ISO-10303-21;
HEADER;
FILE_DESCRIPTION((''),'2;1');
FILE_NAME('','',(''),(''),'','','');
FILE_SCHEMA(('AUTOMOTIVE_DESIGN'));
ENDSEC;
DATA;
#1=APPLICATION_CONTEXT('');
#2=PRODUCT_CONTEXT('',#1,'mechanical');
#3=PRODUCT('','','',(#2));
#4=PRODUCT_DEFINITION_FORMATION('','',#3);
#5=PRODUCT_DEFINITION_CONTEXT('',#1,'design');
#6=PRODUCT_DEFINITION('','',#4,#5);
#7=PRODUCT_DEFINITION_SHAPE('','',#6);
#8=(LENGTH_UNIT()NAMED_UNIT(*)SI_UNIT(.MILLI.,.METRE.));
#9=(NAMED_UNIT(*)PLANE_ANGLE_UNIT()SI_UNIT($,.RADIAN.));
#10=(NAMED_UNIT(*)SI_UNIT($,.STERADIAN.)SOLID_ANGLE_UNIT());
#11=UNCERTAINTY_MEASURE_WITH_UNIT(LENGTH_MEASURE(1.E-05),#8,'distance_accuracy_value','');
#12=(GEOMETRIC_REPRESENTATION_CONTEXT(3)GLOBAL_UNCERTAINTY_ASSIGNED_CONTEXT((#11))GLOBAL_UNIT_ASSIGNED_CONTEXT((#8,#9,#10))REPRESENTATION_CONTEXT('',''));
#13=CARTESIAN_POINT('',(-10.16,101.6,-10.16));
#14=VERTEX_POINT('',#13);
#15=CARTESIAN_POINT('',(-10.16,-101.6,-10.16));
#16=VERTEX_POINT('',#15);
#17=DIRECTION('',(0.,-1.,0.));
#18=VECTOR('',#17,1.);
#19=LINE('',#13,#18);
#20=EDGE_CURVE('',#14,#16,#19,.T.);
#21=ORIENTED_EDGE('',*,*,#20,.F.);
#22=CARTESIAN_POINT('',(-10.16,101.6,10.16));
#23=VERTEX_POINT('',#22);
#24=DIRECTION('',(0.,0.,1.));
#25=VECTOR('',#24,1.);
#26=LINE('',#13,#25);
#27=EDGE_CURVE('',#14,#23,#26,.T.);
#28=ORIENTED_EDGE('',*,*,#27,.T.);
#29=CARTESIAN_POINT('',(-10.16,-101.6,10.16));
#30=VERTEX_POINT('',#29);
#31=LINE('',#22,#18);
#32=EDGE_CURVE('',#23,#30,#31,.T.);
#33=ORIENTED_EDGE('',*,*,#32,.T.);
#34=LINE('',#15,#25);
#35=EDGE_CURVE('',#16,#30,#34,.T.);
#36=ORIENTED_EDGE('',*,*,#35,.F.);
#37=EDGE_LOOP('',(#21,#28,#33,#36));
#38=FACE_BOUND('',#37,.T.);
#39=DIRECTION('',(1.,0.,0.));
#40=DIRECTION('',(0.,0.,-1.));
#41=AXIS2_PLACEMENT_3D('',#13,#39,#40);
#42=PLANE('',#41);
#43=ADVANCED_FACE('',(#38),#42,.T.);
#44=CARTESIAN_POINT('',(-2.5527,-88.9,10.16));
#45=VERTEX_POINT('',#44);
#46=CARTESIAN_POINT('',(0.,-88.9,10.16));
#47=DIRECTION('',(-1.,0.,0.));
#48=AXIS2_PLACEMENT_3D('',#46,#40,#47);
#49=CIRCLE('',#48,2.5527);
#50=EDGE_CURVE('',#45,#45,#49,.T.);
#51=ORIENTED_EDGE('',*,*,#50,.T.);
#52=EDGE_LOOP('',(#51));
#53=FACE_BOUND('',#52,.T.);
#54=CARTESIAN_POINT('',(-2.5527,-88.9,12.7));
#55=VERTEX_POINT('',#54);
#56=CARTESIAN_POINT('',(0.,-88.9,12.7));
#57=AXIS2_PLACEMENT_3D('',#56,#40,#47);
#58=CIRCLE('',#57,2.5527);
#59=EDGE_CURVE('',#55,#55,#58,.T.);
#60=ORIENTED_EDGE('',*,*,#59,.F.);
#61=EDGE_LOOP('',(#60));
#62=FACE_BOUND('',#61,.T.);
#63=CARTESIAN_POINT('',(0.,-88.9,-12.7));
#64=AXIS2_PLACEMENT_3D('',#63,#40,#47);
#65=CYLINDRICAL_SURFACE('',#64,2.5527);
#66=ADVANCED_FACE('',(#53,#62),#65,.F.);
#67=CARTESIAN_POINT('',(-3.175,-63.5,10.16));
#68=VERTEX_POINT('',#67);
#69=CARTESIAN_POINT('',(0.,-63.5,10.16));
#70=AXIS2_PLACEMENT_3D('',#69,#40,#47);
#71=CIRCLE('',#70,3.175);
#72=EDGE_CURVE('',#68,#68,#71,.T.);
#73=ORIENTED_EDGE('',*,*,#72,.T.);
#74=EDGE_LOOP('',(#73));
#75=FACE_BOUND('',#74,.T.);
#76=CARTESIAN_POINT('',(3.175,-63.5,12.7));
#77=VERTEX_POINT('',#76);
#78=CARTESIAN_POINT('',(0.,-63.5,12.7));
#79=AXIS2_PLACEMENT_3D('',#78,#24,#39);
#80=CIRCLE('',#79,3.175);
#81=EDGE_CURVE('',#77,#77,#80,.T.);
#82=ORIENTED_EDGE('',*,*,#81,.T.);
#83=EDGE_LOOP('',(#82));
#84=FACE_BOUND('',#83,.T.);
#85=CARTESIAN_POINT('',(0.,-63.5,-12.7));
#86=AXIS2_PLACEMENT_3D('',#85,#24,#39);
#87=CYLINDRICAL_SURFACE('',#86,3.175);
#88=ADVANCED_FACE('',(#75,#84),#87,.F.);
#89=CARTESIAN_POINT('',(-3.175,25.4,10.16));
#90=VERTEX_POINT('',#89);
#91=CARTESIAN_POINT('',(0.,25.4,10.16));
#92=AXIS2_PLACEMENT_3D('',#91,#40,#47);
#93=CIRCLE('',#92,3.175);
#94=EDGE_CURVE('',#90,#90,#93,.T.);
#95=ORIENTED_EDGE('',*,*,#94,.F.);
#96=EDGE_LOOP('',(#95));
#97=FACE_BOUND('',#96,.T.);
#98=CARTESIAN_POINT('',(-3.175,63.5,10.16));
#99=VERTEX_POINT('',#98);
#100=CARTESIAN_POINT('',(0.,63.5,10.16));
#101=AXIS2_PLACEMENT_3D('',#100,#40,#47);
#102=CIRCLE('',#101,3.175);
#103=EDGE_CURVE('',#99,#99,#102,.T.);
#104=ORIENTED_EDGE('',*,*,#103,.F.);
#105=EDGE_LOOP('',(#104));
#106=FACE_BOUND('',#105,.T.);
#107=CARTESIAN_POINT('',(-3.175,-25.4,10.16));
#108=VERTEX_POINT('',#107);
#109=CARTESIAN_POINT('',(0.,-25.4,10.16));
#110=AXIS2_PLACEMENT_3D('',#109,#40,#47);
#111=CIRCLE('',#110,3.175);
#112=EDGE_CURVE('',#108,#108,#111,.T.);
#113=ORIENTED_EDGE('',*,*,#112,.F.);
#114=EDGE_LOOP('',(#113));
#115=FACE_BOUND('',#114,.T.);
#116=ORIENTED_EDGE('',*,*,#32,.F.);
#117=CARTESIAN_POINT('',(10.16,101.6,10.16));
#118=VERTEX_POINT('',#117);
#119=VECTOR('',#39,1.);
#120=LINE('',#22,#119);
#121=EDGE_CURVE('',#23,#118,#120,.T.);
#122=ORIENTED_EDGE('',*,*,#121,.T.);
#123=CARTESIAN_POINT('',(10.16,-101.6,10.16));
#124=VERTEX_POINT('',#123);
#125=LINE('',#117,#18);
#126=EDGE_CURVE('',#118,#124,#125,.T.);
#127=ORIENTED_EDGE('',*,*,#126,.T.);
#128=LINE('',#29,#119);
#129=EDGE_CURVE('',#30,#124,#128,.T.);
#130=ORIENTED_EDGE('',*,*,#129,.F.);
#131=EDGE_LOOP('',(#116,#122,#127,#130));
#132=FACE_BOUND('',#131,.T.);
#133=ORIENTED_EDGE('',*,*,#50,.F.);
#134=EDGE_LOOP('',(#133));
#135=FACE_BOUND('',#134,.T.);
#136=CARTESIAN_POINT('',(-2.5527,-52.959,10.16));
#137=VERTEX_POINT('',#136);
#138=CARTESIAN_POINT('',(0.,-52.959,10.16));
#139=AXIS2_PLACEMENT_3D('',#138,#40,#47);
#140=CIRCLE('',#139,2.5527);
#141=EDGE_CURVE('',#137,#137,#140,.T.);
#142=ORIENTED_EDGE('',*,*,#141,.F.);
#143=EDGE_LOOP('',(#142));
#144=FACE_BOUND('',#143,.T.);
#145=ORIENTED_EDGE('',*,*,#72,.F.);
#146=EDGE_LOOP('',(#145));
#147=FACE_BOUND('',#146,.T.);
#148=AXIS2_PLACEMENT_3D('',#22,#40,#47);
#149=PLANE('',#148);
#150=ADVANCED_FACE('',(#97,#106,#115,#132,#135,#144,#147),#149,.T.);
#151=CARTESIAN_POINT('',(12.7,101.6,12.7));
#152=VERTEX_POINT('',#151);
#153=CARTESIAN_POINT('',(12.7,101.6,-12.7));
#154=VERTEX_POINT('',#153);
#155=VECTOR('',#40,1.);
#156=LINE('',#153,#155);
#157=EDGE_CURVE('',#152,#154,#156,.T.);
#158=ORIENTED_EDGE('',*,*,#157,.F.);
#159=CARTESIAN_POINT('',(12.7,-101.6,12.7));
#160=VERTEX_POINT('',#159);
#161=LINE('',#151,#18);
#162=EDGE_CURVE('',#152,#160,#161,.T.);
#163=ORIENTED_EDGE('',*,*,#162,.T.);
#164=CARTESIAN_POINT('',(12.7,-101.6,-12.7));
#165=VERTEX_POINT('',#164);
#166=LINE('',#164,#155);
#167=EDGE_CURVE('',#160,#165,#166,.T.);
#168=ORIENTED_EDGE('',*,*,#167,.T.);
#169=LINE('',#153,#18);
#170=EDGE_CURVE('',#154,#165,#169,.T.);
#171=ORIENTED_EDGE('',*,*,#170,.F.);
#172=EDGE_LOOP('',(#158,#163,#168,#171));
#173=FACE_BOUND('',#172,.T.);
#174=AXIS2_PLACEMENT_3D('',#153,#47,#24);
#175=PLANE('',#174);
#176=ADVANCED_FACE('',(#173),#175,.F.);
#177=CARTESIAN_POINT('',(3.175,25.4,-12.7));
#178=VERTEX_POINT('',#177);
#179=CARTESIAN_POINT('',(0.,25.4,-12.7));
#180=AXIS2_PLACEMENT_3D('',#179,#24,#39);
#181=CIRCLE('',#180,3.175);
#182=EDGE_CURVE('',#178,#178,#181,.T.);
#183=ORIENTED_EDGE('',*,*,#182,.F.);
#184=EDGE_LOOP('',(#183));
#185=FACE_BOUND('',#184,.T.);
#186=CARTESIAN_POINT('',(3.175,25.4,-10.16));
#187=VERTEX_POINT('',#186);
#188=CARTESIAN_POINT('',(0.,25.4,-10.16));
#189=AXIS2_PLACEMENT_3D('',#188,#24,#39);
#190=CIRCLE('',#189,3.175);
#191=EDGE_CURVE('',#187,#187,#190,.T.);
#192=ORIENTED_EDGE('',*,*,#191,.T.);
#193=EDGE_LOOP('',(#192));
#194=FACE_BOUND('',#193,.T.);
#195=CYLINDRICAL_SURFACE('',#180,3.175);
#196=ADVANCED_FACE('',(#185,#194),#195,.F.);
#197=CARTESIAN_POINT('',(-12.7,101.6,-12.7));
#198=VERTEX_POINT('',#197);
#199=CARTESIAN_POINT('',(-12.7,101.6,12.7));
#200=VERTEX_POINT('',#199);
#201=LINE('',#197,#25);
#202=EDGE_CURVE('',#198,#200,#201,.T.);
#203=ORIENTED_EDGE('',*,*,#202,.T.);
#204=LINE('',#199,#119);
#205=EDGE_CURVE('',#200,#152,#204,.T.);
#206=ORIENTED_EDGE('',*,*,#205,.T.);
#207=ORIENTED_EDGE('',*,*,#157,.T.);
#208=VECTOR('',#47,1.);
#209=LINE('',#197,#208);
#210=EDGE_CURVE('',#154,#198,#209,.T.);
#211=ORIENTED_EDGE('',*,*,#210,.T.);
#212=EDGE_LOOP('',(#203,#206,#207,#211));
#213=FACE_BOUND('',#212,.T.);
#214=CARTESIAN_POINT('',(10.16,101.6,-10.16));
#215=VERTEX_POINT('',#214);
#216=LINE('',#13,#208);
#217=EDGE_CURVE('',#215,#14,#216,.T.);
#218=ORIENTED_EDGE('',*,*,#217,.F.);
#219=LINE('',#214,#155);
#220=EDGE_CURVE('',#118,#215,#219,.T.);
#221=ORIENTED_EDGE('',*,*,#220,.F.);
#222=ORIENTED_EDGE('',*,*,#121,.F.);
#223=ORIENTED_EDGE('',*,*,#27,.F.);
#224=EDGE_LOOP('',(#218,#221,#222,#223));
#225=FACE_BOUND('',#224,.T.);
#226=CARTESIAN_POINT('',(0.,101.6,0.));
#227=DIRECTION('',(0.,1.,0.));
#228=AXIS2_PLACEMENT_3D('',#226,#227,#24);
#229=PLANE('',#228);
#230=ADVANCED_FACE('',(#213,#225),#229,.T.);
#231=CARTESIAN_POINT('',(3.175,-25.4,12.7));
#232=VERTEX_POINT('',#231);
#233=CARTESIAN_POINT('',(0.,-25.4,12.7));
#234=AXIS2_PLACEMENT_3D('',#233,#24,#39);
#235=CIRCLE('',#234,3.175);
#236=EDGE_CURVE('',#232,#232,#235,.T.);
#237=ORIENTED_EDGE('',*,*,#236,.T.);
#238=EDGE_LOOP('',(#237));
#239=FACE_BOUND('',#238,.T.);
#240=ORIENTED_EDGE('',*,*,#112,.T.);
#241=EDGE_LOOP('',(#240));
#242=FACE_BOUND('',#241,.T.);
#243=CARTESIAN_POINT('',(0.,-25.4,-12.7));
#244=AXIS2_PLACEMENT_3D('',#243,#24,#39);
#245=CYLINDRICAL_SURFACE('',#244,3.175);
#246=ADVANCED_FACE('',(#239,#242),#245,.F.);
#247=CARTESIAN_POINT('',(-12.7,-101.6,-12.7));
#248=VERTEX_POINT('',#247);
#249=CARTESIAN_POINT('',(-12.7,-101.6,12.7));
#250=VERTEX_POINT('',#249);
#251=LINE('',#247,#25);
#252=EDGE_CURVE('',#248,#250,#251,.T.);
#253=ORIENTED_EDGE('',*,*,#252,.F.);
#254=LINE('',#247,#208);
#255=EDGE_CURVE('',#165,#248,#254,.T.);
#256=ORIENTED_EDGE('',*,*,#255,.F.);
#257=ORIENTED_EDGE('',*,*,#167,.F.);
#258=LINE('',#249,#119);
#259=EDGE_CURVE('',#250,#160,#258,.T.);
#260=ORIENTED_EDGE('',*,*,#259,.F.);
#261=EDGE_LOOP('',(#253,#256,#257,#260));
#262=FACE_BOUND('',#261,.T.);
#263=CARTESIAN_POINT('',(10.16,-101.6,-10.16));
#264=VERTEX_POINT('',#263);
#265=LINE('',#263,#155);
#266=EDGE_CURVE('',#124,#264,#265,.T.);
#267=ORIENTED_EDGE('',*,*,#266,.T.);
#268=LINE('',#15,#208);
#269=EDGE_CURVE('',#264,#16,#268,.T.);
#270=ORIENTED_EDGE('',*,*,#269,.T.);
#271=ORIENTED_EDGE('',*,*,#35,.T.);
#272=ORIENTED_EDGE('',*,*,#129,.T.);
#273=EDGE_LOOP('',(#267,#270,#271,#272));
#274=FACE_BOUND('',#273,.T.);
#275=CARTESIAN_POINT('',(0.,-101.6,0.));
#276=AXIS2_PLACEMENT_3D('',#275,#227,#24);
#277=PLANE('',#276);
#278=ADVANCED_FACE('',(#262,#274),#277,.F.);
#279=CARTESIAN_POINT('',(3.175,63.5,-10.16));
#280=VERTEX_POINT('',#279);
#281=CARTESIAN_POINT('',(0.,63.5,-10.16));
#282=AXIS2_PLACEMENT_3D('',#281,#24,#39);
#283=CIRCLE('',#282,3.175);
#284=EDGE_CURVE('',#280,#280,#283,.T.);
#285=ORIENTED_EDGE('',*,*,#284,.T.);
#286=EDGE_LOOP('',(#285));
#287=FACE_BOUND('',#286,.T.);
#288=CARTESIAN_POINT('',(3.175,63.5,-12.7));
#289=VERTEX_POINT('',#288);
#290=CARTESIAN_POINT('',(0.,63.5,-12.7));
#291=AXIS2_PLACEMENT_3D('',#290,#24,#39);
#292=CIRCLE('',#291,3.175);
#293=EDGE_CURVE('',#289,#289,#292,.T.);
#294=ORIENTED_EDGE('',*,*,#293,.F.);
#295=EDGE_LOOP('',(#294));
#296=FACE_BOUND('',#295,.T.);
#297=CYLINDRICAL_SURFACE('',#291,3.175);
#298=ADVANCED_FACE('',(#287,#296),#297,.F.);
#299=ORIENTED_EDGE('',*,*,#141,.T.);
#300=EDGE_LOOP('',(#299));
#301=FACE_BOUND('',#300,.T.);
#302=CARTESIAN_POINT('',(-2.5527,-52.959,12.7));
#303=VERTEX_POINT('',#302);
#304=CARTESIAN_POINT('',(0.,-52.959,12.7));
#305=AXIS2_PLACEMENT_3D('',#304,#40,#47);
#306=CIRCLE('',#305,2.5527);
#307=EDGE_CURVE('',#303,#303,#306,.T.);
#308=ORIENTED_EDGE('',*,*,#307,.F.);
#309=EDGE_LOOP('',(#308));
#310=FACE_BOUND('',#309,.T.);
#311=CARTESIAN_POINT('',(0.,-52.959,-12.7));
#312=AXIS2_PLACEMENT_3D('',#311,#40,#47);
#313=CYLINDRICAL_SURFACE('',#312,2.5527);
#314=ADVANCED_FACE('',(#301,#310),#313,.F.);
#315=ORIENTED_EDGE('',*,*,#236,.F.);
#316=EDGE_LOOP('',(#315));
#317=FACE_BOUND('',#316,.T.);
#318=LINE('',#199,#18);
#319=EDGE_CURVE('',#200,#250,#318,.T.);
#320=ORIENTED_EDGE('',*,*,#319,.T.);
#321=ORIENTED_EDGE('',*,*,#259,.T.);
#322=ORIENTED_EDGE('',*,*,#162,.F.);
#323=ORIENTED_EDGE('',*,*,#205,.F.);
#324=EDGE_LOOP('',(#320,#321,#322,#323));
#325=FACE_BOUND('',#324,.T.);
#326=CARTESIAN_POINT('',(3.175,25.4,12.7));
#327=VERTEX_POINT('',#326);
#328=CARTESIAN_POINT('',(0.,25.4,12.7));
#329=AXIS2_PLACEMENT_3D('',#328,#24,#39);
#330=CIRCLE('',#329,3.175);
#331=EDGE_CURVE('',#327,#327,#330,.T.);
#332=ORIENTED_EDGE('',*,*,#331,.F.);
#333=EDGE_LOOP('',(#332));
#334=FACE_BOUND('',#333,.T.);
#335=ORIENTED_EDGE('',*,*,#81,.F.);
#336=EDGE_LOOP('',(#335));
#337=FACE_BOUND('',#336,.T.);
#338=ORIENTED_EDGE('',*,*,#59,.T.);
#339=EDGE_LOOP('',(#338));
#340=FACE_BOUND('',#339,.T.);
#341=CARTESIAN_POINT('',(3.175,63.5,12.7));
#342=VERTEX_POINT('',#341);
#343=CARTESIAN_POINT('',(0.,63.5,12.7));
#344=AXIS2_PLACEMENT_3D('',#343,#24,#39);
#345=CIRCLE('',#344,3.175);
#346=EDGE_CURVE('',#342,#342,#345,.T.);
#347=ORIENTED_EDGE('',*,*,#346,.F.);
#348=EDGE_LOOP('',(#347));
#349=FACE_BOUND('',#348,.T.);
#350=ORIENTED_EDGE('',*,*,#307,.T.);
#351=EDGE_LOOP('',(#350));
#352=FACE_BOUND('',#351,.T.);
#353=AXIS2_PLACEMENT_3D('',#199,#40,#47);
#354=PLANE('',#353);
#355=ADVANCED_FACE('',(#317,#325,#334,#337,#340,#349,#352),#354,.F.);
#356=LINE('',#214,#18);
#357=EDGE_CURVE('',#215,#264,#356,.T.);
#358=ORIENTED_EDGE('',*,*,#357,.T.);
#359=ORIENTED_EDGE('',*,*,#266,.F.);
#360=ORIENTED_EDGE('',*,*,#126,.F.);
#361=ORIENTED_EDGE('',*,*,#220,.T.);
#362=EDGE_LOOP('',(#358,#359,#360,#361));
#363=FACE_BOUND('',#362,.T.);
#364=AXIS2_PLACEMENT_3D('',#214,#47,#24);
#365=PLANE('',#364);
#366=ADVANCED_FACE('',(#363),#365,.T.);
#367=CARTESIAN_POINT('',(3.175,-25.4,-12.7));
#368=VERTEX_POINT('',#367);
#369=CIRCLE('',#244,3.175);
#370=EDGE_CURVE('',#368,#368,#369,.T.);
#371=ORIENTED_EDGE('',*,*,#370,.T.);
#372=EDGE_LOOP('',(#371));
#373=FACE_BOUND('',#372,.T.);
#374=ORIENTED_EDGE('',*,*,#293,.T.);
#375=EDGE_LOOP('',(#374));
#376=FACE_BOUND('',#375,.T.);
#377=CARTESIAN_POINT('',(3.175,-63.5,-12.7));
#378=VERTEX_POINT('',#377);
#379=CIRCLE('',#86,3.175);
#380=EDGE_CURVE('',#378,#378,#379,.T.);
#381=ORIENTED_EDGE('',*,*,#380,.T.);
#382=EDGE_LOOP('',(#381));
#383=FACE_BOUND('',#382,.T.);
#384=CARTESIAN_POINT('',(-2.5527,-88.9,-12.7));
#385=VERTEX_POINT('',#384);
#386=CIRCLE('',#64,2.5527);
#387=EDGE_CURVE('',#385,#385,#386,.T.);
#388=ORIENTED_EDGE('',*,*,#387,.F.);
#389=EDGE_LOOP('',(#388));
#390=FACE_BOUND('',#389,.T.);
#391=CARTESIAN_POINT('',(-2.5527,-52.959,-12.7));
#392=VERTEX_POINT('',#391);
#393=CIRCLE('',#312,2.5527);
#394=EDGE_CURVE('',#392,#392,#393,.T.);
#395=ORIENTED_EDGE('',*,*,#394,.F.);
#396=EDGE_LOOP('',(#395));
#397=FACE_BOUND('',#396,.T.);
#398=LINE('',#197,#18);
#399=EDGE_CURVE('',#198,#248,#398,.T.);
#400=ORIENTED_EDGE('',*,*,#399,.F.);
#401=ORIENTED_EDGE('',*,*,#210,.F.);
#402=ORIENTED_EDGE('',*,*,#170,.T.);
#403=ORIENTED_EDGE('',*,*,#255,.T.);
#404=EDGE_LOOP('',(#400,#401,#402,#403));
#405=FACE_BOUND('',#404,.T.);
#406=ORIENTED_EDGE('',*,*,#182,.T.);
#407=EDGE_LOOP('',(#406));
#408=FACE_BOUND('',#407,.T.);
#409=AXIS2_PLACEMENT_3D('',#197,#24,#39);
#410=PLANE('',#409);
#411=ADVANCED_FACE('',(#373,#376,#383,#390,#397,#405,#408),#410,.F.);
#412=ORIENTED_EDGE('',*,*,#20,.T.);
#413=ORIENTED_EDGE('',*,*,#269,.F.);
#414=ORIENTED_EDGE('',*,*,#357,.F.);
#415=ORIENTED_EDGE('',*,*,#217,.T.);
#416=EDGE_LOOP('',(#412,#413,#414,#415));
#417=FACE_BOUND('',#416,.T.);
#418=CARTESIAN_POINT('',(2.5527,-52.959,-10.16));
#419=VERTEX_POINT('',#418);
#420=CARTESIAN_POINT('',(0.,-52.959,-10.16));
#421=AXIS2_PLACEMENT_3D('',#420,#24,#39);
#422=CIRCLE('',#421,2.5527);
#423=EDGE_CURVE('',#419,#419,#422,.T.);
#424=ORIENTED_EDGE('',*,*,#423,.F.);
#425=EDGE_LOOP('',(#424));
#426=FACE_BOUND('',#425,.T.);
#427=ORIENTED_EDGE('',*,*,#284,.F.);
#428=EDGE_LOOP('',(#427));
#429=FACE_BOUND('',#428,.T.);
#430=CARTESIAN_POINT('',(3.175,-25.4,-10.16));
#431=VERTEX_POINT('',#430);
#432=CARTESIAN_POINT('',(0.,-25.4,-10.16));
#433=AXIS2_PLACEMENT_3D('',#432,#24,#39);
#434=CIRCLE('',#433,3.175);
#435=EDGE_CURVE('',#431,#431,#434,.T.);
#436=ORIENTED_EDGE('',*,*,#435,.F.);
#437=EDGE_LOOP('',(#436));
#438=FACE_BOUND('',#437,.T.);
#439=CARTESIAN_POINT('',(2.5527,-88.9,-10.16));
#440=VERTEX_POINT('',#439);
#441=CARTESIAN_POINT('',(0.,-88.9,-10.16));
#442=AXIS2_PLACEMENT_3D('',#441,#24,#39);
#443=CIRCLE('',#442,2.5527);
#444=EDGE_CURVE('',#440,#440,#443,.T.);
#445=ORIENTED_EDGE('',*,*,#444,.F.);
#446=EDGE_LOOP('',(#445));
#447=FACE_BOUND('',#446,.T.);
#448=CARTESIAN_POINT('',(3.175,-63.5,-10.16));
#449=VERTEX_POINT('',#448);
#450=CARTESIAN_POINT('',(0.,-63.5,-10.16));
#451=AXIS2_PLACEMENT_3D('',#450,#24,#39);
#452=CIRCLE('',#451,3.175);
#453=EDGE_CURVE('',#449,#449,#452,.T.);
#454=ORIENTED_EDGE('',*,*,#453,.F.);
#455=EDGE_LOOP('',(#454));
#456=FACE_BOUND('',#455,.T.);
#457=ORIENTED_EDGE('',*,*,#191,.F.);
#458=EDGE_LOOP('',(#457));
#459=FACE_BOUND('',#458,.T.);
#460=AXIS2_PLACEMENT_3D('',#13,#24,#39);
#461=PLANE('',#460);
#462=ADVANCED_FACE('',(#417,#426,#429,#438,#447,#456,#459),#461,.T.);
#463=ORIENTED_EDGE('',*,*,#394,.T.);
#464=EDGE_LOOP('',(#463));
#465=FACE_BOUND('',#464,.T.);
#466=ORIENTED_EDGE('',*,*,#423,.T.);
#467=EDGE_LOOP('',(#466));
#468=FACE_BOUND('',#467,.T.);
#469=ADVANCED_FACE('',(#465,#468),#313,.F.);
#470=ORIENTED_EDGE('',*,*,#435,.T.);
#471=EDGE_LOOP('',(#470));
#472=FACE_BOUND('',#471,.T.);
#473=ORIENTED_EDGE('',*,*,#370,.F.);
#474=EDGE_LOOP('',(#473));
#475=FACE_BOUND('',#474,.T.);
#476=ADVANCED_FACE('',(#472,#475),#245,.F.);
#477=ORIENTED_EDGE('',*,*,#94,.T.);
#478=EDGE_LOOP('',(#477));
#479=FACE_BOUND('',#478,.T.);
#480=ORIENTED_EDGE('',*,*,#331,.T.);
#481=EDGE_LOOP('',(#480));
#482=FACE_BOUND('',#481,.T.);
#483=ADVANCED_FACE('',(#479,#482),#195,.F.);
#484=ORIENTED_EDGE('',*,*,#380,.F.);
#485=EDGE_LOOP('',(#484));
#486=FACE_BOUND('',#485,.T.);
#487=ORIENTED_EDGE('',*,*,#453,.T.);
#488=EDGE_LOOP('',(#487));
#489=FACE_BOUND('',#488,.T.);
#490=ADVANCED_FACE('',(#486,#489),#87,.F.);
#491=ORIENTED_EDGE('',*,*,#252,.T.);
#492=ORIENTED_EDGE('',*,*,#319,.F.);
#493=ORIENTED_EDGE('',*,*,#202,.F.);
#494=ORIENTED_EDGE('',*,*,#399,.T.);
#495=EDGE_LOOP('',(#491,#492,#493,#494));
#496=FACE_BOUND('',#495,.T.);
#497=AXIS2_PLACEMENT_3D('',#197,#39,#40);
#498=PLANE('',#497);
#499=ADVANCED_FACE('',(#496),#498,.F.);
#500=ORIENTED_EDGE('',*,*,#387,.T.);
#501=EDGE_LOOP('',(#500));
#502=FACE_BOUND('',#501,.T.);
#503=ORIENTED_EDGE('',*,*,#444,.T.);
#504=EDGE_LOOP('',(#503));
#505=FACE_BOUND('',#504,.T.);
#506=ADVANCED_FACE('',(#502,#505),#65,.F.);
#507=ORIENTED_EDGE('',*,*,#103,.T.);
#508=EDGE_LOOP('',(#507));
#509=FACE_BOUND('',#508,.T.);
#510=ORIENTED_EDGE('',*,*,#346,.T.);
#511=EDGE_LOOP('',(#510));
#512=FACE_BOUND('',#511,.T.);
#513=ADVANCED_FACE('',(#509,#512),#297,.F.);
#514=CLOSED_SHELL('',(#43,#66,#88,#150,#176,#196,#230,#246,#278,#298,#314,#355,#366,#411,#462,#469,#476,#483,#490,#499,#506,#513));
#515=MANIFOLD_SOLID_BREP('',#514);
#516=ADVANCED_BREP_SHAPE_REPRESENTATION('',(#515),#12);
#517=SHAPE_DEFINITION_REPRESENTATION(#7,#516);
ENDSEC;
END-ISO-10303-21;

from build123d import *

# Parameters (mm, degrees)
SKETCH1_W              = 25.4
SKETCH1_H              = 25.4
SKETCH1_W_2            = 20.32
SKETCH1_H_2            = 20.32
BOSS_EXTRUDE1_DEPTH    = 101.6
SKETCH4_R              = 3.175
CUT_EXTRUDE3_DEPTH     = 25.4
SKETCH5_R              = 3.175
CUT_EXTRUDE4_DEPTH     = 25.4
SKETCH6_R              = 1.27
CUT_EXTRUDE6_DEPTH     = 25.4
F_10_CLEARANCE_HOLE1_D = 5.1054


with BuildPart() as part:
    # Sketch1 → Boss-Extrude1 (new, symmetric)
    with BuildSketch(Plane(origin=(0, 0, 0), x_dir=(1, 0, 0), z_dir=(0, 1, 0))):
        Rectangle(SKETCH1_W, SKETCH1_H)
        Rectangle(SKETCH1_W_2, SKETCH1_H_2, mode=Mode.SUBTRACT)
    extrude(amount=BOSS_EXTRUDE1_DEPTH, both=True)

    # Sketch4 → Cut-Extrude3 (cut)
    with BuildSketch(Plane.XY.offset(12.7)):
        with Locations((0, 63.5)):
            Circle(SKETCH4_R)
        with Locations((0, -63.5)):
            Circle(SKETCH4_R)
    extrude(amount=-CUT_EXTRUDE3_DEPTH, mode=Mode.SUBTRACT)

    # Sketch5 → Cut-Extrude4 (cut)
    with BuildSketch(Plane.XY.offset(12.7)):
        with Locations((0, 25.4)):
            Circle(SKETCH5_R)
        with Locations((0, -25.4)):
            Circle(SKETCH5_R)
    extrude(amount=-CUT_EXTRUDE4_DEPTH, mode=Mode.SUBTRACT)

    # Sketch6 → Cut-Extrude6 (cut)
    with BuildSketch(Plane.XY.offset(12.7)):
        with Locations((0, -88.9)):
            Circle(SKETCH6_R)
        with Locations((0, -52.959)):
            Circle(SKETCH6_R)
    extrude(amount=-CUT_EXTRUDE6_DEPTH, mode=Mode.SUBTRACT)

    # #10 Clearance Hole1 (through all)
    with Locations(Plane(origin=(0, 0, -12.7), x_dir=(-1, 0, 0), z_dir=(0, 0, -1))):
        with Locations((0, -52.959), (0, -88.9)):
            Hole(F_10_CLEARANCE_HOLE1_D / 2)


solid = part.part
